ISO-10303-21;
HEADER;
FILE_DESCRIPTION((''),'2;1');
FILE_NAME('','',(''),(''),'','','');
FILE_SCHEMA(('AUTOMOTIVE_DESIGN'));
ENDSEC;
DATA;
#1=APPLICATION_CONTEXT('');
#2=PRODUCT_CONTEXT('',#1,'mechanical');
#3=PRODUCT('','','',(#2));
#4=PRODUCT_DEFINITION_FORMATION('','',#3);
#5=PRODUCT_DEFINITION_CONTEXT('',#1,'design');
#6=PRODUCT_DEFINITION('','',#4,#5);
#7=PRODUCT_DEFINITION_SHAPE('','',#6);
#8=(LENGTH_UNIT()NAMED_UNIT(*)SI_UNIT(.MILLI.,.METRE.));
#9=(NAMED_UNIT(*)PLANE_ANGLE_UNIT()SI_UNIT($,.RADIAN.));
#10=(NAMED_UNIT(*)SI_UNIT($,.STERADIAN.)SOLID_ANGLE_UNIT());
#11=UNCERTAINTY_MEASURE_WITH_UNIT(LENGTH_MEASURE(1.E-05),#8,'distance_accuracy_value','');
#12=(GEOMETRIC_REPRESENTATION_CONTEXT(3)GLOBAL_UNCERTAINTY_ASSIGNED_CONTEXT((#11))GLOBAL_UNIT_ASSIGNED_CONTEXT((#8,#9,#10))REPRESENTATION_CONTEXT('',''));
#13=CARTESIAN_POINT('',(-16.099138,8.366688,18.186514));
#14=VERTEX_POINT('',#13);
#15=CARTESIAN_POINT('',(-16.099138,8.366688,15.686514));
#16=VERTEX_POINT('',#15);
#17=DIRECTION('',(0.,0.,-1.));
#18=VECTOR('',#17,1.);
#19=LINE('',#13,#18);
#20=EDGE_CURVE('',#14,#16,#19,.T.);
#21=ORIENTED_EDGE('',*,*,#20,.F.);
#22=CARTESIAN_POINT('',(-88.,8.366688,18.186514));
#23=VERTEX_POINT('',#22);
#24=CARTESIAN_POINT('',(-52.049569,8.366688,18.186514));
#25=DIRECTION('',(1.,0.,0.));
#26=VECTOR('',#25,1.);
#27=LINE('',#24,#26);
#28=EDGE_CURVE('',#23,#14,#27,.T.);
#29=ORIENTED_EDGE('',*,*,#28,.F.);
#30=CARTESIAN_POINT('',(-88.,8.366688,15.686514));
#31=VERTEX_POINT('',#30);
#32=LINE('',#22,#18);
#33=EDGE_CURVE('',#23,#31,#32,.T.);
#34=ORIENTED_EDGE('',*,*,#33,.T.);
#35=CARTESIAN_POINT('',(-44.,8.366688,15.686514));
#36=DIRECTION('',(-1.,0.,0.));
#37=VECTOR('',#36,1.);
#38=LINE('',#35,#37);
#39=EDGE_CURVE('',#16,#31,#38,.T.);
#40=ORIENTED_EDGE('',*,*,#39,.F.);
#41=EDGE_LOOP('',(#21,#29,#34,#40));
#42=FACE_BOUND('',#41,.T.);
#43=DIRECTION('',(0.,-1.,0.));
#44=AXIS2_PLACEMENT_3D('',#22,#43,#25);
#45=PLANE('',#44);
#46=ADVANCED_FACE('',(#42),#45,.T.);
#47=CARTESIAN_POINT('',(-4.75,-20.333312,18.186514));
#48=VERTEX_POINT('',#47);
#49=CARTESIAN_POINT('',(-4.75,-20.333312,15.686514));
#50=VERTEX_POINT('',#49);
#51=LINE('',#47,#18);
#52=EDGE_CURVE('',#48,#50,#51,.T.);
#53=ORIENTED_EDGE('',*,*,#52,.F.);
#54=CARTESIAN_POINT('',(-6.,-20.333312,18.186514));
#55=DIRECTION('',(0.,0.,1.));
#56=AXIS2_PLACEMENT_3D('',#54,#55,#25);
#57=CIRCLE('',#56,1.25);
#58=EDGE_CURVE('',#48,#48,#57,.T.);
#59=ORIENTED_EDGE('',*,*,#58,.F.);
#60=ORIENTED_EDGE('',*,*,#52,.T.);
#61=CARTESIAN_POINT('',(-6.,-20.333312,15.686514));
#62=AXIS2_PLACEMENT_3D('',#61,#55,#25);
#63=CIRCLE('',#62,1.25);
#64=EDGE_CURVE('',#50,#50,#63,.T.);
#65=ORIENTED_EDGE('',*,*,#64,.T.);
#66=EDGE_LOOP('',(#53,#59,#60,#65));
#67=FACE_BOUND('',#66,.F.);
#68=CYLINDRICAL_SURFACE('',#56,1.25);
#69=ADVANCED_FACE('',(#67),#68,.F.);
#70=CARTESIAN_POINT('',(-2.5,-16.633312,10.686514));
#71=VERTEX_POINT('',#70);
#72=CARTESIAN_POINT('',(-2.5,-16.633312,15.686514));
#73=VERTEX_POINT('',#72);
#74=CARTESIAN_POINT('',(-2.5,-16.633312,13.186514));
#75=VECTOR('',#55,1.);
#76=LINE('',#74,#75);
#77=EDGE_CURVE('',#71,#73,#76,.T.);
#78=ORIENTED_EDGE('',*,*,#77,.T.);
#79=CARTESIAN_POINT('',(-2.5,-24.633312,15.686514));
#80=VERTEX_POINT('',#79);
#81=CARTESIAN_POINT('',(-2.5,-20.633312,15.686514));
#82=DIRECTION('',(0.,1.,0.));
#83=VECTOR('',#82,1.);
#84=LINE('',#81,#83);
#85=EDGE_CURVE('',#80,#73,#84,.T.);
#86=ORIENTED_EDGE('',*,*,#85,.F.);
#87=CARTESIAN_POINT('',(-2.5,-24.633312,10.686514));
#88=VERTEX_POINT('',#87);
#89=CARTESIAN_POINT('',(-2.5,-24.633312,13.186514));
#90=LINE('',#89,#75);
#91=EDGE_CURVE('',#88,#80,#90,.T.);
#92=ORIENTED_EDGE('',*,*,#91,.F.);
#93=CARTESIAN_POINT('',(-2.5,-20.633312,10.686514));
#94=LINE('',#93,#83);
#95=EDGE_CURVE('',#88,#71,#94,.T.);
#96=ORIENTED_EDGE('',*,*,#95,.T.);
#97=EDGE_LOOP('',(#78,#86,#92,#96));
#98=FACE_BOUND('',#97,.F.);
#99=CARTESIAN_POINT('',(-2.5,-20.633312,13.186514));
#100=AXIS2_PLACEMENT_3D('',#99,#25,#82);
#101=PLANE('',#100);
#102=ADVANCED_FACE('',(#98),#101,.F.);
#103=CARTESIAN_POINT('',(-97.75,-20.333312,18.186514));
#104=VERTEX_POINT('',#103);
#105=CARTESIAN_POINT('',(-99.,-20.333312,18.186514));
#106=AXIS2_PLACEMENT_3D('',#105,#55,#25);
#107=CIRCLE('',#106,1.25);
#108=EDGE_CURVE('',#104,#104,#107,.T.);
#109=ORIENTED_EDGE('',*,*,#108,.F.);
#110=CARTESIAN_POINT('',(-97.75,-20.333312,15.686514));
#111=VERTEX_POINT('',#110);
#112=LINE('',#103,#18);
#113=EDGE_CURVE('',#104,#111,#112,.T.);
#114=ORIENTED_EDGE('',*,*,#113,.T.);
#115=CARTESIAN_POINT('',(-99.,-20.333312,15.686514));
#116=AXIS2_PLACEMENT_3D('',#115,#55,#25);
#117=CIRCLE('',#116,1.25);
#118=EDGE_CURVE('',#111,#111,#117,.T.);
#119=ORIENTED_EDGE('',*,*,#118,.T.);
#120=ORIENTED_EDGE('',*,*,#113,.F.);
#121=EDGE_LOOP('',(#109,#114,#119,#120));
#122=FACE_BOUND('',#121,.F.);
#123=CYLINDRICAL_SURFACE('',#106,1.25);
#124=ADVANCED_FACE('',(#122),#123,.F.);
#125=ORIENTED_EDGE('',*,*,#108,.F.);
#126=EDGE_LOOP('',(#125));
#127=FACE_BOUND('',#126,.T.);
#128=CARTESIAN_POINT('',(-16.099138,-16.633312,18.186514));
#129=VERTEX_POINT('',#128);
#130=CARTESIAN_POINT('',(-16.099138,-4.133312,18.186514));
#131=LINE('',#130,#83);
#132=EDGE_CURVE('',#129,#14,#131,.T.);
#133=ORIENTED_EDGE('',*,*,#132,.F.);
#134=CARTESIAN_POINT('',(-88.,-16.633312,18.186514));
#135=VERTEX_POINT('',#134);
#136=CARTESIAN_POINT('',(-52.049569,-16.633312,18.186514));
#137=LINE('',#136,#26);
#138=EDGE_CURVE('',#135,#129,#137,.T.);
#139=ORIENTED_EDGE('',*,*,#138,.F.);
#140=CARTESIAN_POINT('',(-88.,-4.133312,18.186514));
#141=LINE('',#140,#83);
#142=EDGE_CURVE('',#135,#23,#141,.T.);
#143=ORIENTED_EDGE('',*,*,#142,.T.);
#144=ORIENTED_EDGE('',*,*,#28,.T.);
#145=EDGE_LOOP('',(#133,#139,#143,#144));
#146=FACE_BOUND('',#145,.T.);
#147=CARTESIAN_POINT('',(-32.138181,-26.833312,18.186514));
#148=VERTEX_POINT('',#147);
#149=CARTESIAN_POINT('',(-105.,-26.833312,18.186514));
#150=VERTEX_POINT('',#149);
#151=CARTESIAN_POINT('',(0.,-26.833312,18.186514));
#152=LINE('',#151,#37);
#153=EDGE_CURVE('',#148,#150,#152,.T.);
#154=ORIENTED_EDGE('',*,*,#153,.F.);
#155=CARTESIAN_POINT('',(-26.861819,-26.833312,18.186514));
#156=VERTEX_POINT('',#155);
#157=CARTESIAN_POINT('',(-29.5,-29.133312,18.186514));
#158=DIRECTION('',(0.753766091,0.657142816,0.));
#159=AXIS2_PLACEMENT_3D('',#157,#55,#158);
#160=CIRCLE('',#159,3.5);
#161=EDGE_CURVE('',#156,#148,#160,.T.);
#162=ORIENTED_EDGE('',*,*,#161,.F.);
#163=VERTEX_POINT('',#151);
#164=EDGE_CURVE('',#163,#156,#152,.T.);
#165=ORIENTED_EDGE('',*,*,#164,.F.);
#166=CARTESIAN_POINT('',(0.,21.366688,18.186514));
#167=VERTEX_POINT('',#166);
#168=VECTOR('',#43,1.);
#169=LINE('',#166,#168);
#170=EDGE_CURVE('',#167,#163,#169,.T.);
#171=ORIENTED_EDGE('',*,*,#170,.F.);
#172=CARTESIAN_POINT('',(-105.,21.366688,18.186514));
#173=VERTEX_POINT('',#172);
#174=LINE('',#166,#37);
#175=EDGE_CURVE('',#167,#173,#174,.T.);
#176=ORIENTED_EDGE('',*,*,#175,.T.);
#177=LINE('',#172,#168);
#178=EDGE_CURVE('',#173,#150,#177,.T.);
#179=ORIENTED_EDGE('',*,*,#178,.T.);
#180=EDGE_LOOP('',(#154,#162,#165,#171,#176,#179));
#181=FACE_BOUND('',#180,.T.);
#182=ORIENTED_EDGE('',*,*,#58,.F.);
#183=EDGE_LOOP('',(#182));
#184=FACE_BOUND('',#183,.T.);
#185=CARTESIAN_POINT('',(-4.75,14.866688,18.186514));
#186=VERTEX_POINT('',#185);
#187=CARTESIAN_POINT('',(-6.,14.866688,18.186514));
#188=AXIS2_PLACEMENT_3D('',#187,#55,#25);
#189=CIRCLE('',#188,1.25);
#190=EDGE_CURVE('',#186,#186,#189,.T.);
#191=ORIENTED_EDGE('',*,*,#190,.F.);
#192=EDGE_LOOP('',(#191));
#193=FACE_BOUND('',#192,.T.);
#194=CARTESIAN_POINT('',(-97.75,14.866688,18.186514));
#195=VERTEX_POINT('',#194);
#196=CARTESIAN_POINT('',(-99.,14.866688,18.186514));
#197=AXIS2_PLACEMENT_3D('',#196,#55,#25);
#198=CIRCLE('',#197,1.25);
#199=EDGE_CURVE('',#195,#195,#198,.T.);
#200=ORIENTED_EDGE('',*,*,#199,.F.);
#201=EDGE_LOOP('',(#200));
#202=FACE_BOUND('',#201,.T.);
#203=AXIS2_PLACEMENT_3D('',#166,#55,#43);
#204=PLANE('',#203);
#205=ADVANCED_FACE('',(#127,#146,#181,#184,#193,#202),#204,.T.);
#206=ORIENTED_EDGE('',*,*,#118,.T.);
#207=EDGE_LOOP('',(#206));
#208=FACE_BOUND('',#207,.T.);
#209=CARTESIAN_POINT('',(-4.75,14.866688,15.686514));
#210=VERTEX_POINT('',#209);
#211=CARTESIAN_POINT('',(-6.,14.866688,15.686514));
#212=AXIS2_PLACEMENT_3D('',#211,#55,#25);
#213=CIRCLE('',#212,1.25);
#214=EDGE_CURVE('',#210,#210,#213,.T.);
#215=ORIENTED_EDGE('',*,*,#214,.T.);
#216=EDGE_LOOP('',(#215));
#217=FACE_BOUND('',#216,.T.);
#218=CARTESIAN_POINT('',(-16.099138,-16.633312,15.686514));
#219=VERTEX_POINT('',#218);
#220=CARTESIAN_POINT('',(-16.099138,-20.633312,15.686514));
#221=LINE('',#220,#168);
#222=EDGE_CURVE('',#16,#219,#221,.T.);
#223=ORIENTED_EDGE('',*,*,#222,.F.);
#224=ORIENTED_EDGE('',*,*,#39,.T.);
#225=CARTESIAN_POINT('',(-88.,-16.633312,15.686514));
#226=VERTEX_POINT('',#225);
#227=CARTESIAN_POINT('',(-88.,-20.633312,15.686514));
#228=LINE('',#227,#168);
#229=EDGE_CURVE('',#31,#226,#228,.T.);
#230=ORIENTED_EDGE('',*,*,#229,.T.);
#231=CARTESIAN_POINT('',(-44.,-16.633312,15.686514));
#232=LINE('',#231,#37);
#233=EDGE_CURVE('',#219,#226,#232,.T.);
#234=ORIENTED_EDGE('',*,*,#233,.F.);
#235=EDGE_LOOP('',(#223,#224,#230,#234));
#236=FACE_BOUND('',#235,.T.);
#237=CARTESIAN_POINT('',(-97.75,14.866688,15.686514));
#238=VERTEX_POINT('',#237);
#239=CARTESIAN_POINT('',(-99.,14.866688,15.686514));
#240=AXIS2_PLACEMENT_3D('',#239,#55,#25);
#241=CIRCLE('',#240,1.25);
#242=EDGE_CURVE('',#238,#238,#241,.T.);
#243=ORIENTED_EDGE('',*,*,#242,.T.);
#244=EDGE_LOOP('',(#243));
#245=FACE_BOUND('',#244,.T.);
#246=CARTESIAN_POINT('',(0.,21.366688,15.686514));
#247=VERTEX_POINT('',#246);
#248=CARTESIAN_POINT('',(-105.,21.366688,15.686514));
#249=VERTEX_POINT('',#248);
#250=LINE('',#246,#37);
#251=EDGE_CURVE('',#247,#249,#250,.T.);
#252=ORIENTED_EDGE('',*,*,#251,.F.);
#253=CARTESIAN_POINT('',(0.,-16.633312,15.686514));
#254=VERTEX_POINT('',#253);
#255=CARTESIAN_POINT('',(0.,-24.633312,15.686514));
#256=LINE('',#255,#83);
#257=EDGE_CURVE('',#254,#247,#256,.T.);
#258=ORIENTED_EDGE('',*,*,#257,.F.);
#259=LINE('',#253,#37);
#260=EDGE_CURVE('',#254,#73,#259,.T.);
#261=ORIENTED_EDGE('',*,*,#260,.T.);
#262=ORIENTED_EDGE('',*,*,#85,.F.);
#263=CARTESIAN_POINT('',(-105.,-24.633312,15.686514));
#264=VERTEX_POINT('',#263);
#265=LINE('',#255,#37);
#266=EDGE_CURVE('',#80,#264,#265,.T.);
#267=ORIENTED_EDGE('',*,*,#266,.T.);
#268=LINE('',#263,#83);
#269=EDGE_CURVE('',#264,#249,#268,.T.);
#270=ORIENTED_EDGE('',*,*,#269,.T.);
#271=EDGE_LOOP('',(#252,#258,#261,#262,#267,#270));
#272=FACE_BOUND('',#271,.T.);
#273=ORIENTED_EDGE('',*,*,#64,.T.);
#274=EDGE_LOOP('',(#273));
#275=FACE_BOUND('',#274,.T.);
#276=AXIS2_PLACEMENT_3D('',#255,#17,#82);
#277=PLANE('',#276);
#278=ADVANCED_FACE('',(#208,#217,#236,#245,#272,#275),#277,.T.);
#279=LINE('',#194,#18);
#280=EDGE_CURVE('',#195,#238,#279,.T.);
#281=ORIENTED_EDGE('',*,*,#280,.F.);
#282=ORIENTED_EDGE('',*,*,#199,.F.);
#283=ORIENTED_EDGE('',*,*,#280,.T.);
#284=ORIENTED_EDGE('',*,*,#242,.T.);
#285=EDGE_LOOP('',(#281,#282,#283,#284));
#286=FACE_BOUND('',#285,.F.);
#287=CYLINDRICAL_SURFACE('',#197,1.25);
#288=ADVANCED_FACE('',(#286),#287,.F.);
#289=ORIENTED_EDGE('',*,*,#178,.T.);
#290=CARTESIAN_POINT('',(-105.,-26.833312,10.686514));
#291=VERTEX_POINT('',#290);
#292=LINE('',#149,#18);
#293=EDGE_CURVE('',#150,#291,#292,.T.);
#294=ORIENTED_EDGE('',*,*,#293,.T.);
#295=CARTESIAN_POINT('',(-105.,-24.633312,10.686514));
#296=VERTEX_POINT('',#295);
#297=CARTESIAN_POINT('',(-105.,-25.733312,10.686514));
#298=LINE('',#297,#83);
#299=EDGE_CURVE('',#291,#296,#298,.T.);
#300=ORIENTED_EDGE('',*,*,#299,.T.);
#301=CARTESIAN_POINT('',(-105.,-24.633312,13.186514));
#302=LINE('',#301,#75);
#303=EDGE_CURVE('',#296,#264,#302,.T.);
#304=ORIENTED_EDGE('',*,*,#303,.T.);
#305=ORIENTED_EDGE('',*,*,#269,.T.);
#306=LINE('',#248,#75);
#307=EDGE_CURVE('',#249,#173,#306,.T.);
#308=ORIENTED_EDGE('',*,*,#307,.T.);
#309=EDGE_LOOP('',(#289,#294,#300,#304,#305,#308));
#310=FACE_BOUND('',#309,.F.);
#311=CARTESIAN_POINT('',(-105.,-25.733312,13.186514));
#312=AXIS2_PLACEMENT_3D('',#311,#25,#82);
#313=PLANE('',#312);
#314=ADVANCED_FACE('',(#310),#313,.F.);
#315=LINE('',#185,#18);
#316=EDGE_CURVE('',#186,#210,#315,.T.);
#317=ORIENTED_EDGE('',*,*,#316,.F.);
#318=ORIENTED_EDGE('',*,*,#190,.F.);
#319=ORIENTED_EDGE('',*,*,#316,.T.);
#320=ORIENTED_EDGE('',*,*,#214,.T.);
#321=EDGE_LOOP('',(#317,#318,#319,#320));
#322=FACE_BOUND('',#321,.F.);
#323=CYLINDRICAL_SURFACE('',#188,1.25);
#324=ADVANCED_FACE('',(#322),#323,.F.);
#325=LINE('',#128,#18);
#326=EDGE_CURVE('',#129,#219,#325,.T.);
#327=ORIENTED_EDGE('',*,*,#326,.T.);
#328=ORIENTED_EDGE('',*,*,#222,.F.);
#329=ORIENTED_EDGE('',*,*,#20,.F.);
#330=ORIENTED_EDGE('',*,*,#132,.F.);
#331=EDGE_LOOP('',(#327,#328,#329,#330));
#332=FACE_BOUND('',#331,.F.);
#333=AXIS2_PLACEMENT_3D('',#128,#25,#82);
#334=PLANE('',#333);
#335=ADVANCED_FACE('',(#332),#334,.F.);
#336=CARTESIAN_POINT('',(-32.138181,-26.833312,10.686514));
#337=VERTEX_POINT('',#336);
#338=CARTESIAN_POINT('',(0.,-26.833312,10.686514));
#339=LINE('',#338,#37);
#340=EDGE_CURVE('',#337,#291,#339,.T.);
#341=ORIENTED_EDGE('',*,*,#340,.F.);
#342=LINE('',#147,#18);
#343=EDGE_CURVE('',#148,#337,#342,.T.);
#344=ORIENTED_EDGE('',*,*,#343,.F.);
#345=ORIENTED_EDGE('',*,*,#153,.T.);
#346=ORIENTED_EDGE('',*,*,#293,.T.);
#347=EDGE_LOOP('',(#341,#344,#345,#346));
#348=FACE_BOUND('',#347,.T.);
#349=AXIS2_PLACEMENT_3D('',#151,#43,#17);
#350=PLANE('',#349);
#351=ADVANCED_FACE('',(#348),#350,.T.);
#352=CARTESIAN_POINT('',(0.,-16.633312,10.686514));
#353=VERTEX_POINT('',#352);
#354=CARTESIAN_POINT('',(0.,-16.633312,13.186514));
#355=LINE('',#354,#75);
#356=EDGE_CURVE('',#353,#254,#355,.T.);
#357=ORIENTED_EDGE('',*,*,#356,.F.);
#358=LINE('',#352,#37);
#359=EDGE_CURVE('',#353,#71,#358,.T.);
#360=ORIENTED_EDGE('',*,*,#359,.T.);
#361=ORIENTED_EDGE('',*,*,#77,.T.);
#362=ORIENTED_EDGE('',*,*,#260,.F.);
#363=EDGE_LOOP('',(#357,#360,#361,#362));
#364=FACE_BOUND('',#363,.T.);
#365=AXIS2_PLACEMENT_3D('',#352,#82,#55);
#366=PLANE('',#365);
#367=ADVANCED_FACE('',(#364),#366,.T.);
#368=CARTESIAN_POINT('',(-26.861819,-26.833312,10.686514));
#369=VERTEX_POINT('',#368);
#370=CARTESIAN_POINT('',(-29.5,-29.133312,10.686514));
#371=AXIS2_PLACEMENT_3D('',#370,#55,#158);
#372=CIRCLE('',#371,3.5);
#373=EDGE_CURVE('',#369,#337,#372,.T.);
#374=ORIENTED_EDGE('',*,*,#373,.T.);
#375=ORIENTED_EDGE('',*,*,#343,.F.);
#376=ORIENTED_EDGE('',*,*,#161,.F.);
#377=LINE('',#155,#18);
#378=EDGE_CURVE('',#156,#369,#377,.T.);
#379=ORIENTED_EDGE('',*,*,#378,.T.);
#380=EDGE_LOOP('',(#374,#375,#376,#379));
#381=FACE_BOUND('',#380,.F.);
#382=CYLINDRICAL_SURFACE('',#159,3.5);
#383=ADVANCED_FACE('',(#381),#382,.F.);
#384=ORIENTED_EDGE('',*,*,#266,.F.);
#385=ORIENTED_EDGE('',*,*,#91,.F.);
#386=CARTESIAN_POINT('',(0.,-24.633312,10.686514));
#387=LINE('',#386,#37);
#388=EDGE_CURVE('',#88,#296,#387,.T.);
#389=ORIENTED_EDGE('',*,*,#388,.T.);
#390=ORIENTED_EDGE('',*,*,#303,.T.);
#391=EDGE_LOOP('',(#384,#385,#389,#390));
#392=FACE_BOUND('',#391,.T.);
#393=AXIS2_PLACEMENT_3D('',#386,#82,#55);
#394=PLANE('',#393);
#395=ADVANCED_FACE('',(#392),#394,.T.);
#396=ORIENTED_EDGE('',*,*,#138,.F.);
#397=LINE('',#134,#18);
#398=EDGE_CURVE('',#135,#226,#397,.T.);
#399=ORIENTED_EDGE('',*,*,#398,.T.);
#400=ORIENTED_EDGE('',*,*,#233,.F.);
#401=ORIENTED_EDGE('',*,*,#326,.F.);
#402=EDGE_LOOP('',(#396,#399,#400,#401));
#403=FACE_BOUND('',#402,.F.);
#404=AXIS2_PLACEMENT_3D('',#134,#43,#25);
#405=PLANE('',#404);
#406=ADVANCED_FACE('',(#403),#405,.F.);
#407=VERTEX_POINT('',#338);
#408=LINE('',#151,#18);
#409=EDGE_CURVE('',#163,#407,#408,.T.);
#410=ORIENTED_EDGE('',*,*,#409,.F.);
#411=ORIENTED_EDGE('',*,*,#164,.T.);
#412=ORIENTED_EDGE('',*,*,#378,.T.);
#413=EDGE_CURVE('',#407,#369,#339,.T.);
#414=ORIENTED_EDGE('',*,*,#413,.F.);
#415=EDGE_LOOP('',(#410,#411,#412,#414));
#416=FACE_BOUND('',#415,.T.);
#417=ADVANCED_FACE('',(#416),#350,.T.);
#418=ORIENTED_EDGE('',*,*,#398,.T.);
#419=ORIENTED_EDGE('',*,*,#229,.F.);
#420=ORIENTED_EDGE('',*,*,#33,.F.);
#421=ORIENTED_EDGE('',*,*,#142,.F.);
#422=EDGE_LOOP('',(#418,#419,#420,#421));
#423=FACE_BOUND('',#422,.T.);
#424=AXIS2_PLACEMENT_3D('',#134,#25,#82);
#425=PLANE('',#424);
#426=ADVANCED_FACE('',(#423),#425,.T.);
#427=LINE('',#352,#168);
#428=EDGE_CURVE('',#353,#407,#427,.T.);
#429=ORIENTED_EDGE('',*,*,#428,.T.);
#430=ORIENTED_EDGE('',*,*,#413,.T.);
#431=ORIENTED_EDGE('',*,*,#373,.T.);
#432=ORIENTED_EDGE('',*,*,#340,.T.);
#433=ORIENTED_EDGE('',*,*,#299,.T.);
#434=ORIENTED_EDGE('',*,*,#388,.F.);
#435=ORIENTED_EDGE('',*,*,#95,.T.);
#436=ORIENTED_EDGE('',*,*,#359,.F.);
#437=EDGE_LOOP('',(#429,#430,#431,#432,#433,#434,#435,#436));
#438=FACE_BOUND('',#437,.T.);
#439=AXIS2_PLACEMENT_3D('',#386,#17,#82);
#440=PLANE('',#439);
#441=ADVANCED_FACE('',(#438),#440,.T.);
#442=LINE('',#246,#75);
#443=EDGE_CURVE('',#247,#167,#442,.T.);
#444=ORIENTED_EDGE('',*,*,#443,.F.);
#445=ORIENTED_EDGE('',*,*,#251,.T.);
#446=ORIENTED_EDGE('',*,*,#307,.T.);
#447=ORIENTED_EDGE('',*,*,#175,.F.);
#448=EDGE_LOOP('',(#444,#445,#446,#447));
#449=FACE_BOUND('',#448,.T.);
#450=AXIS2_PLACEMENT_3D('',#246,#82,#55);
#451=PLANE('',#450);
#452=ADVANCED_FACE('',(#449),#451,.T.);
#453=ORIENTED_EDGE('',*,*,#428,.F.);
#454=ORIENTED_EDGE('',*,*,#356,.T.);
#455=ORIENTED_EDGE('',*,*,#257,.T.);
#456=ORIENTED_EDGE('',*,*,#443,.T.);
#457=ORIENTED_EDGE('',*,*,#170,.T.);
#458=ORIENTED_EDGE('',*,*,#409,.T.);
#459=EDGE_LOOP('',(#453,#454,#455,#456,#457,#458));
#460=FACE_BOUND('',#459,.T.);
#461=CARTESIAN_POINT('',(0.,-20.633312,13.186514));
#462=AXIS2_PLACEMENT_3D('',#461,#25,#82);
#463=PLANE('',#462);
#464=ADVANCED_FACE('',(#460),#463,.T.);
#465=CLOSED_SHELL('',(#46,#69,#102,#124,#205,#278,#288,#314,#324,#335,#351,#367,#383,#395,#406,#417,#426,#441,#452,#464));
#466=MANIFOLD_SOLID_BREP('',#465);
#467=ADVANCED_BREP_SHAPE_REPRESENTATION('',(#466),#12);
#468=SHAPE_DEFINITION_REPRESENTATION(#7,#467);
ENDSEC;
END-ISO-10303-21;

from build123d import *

# Parameters (mm, degrees)
F0_W     = 2.2
F0_H     = 5
F1_DEPTH = 105
F2_R     = 1.25
F3_DEPTH = 2.5
F4_W     = 71.900862
F4_H     = 25
F5_DEPTH = 7.5
F0_W_2   = 8
F6_DEPTH = 2.5


with BuildPart() as f1:
    # F0 (on Right) → F1 (new body)
    with BuildSketch(Plane.YZ):
        with Locations((-25.733312, 13.186514)):
            Rectangle(F0_W, F0_H)
        Polygon((-26.833312, 15.686514), (-24.633312, 15.686514), (-16.633312, 15.686514), (21.366688, 15.686514), (21.366688, 18.186514), (-26.833312, 18.186514), align=None)
    extrude(amount=-F1_DEPTH)

    # F2 (on face) → F3 (cut)
    with BuildSketch(Plane.XY.offset(18.186514)):
        with Locations((-99, 14.866688)):
            Circle(F2_R)
        with Locations((-6, 14.866688)):
            Circle(F2_R)
        with Locations((-6, -20.333312)):
            Circle(F2_R)
        with Locations((-99, -20.333312)):
            Circle(F2_R)
    extrude(amount=-F3_DEPTH, mode=Mode.SUBTRACT)

    # F4 (on face) → F5 (cut)
    with BuildSketch(Plane.XY.offset(18.186514)):
        with Locations((-52.049569, -4.133312)):
            Rectangle(F4_W, F4_H)
        with BuildLine():
            Line((-32.138181, -26.833312), (-26.861819, -26.833312))
            ThreePointArc((-26.861819, -26.833312), (-29.5, -25.633312), (-32.138181, -26.833312))
        make_face()
    extrude(amount=-F5_DEPTH, mode=Mode.SUBTRACT)

    # F0 (on Right) → F6 (join)
    with BuildSketch(Plane.YZ):
        with Locations((-20.633312, 13.186514)):
            Rectangle(F0_W_2, F0_H)
    extrude(amount=-F6_DEPTH)


solid = f1.part
